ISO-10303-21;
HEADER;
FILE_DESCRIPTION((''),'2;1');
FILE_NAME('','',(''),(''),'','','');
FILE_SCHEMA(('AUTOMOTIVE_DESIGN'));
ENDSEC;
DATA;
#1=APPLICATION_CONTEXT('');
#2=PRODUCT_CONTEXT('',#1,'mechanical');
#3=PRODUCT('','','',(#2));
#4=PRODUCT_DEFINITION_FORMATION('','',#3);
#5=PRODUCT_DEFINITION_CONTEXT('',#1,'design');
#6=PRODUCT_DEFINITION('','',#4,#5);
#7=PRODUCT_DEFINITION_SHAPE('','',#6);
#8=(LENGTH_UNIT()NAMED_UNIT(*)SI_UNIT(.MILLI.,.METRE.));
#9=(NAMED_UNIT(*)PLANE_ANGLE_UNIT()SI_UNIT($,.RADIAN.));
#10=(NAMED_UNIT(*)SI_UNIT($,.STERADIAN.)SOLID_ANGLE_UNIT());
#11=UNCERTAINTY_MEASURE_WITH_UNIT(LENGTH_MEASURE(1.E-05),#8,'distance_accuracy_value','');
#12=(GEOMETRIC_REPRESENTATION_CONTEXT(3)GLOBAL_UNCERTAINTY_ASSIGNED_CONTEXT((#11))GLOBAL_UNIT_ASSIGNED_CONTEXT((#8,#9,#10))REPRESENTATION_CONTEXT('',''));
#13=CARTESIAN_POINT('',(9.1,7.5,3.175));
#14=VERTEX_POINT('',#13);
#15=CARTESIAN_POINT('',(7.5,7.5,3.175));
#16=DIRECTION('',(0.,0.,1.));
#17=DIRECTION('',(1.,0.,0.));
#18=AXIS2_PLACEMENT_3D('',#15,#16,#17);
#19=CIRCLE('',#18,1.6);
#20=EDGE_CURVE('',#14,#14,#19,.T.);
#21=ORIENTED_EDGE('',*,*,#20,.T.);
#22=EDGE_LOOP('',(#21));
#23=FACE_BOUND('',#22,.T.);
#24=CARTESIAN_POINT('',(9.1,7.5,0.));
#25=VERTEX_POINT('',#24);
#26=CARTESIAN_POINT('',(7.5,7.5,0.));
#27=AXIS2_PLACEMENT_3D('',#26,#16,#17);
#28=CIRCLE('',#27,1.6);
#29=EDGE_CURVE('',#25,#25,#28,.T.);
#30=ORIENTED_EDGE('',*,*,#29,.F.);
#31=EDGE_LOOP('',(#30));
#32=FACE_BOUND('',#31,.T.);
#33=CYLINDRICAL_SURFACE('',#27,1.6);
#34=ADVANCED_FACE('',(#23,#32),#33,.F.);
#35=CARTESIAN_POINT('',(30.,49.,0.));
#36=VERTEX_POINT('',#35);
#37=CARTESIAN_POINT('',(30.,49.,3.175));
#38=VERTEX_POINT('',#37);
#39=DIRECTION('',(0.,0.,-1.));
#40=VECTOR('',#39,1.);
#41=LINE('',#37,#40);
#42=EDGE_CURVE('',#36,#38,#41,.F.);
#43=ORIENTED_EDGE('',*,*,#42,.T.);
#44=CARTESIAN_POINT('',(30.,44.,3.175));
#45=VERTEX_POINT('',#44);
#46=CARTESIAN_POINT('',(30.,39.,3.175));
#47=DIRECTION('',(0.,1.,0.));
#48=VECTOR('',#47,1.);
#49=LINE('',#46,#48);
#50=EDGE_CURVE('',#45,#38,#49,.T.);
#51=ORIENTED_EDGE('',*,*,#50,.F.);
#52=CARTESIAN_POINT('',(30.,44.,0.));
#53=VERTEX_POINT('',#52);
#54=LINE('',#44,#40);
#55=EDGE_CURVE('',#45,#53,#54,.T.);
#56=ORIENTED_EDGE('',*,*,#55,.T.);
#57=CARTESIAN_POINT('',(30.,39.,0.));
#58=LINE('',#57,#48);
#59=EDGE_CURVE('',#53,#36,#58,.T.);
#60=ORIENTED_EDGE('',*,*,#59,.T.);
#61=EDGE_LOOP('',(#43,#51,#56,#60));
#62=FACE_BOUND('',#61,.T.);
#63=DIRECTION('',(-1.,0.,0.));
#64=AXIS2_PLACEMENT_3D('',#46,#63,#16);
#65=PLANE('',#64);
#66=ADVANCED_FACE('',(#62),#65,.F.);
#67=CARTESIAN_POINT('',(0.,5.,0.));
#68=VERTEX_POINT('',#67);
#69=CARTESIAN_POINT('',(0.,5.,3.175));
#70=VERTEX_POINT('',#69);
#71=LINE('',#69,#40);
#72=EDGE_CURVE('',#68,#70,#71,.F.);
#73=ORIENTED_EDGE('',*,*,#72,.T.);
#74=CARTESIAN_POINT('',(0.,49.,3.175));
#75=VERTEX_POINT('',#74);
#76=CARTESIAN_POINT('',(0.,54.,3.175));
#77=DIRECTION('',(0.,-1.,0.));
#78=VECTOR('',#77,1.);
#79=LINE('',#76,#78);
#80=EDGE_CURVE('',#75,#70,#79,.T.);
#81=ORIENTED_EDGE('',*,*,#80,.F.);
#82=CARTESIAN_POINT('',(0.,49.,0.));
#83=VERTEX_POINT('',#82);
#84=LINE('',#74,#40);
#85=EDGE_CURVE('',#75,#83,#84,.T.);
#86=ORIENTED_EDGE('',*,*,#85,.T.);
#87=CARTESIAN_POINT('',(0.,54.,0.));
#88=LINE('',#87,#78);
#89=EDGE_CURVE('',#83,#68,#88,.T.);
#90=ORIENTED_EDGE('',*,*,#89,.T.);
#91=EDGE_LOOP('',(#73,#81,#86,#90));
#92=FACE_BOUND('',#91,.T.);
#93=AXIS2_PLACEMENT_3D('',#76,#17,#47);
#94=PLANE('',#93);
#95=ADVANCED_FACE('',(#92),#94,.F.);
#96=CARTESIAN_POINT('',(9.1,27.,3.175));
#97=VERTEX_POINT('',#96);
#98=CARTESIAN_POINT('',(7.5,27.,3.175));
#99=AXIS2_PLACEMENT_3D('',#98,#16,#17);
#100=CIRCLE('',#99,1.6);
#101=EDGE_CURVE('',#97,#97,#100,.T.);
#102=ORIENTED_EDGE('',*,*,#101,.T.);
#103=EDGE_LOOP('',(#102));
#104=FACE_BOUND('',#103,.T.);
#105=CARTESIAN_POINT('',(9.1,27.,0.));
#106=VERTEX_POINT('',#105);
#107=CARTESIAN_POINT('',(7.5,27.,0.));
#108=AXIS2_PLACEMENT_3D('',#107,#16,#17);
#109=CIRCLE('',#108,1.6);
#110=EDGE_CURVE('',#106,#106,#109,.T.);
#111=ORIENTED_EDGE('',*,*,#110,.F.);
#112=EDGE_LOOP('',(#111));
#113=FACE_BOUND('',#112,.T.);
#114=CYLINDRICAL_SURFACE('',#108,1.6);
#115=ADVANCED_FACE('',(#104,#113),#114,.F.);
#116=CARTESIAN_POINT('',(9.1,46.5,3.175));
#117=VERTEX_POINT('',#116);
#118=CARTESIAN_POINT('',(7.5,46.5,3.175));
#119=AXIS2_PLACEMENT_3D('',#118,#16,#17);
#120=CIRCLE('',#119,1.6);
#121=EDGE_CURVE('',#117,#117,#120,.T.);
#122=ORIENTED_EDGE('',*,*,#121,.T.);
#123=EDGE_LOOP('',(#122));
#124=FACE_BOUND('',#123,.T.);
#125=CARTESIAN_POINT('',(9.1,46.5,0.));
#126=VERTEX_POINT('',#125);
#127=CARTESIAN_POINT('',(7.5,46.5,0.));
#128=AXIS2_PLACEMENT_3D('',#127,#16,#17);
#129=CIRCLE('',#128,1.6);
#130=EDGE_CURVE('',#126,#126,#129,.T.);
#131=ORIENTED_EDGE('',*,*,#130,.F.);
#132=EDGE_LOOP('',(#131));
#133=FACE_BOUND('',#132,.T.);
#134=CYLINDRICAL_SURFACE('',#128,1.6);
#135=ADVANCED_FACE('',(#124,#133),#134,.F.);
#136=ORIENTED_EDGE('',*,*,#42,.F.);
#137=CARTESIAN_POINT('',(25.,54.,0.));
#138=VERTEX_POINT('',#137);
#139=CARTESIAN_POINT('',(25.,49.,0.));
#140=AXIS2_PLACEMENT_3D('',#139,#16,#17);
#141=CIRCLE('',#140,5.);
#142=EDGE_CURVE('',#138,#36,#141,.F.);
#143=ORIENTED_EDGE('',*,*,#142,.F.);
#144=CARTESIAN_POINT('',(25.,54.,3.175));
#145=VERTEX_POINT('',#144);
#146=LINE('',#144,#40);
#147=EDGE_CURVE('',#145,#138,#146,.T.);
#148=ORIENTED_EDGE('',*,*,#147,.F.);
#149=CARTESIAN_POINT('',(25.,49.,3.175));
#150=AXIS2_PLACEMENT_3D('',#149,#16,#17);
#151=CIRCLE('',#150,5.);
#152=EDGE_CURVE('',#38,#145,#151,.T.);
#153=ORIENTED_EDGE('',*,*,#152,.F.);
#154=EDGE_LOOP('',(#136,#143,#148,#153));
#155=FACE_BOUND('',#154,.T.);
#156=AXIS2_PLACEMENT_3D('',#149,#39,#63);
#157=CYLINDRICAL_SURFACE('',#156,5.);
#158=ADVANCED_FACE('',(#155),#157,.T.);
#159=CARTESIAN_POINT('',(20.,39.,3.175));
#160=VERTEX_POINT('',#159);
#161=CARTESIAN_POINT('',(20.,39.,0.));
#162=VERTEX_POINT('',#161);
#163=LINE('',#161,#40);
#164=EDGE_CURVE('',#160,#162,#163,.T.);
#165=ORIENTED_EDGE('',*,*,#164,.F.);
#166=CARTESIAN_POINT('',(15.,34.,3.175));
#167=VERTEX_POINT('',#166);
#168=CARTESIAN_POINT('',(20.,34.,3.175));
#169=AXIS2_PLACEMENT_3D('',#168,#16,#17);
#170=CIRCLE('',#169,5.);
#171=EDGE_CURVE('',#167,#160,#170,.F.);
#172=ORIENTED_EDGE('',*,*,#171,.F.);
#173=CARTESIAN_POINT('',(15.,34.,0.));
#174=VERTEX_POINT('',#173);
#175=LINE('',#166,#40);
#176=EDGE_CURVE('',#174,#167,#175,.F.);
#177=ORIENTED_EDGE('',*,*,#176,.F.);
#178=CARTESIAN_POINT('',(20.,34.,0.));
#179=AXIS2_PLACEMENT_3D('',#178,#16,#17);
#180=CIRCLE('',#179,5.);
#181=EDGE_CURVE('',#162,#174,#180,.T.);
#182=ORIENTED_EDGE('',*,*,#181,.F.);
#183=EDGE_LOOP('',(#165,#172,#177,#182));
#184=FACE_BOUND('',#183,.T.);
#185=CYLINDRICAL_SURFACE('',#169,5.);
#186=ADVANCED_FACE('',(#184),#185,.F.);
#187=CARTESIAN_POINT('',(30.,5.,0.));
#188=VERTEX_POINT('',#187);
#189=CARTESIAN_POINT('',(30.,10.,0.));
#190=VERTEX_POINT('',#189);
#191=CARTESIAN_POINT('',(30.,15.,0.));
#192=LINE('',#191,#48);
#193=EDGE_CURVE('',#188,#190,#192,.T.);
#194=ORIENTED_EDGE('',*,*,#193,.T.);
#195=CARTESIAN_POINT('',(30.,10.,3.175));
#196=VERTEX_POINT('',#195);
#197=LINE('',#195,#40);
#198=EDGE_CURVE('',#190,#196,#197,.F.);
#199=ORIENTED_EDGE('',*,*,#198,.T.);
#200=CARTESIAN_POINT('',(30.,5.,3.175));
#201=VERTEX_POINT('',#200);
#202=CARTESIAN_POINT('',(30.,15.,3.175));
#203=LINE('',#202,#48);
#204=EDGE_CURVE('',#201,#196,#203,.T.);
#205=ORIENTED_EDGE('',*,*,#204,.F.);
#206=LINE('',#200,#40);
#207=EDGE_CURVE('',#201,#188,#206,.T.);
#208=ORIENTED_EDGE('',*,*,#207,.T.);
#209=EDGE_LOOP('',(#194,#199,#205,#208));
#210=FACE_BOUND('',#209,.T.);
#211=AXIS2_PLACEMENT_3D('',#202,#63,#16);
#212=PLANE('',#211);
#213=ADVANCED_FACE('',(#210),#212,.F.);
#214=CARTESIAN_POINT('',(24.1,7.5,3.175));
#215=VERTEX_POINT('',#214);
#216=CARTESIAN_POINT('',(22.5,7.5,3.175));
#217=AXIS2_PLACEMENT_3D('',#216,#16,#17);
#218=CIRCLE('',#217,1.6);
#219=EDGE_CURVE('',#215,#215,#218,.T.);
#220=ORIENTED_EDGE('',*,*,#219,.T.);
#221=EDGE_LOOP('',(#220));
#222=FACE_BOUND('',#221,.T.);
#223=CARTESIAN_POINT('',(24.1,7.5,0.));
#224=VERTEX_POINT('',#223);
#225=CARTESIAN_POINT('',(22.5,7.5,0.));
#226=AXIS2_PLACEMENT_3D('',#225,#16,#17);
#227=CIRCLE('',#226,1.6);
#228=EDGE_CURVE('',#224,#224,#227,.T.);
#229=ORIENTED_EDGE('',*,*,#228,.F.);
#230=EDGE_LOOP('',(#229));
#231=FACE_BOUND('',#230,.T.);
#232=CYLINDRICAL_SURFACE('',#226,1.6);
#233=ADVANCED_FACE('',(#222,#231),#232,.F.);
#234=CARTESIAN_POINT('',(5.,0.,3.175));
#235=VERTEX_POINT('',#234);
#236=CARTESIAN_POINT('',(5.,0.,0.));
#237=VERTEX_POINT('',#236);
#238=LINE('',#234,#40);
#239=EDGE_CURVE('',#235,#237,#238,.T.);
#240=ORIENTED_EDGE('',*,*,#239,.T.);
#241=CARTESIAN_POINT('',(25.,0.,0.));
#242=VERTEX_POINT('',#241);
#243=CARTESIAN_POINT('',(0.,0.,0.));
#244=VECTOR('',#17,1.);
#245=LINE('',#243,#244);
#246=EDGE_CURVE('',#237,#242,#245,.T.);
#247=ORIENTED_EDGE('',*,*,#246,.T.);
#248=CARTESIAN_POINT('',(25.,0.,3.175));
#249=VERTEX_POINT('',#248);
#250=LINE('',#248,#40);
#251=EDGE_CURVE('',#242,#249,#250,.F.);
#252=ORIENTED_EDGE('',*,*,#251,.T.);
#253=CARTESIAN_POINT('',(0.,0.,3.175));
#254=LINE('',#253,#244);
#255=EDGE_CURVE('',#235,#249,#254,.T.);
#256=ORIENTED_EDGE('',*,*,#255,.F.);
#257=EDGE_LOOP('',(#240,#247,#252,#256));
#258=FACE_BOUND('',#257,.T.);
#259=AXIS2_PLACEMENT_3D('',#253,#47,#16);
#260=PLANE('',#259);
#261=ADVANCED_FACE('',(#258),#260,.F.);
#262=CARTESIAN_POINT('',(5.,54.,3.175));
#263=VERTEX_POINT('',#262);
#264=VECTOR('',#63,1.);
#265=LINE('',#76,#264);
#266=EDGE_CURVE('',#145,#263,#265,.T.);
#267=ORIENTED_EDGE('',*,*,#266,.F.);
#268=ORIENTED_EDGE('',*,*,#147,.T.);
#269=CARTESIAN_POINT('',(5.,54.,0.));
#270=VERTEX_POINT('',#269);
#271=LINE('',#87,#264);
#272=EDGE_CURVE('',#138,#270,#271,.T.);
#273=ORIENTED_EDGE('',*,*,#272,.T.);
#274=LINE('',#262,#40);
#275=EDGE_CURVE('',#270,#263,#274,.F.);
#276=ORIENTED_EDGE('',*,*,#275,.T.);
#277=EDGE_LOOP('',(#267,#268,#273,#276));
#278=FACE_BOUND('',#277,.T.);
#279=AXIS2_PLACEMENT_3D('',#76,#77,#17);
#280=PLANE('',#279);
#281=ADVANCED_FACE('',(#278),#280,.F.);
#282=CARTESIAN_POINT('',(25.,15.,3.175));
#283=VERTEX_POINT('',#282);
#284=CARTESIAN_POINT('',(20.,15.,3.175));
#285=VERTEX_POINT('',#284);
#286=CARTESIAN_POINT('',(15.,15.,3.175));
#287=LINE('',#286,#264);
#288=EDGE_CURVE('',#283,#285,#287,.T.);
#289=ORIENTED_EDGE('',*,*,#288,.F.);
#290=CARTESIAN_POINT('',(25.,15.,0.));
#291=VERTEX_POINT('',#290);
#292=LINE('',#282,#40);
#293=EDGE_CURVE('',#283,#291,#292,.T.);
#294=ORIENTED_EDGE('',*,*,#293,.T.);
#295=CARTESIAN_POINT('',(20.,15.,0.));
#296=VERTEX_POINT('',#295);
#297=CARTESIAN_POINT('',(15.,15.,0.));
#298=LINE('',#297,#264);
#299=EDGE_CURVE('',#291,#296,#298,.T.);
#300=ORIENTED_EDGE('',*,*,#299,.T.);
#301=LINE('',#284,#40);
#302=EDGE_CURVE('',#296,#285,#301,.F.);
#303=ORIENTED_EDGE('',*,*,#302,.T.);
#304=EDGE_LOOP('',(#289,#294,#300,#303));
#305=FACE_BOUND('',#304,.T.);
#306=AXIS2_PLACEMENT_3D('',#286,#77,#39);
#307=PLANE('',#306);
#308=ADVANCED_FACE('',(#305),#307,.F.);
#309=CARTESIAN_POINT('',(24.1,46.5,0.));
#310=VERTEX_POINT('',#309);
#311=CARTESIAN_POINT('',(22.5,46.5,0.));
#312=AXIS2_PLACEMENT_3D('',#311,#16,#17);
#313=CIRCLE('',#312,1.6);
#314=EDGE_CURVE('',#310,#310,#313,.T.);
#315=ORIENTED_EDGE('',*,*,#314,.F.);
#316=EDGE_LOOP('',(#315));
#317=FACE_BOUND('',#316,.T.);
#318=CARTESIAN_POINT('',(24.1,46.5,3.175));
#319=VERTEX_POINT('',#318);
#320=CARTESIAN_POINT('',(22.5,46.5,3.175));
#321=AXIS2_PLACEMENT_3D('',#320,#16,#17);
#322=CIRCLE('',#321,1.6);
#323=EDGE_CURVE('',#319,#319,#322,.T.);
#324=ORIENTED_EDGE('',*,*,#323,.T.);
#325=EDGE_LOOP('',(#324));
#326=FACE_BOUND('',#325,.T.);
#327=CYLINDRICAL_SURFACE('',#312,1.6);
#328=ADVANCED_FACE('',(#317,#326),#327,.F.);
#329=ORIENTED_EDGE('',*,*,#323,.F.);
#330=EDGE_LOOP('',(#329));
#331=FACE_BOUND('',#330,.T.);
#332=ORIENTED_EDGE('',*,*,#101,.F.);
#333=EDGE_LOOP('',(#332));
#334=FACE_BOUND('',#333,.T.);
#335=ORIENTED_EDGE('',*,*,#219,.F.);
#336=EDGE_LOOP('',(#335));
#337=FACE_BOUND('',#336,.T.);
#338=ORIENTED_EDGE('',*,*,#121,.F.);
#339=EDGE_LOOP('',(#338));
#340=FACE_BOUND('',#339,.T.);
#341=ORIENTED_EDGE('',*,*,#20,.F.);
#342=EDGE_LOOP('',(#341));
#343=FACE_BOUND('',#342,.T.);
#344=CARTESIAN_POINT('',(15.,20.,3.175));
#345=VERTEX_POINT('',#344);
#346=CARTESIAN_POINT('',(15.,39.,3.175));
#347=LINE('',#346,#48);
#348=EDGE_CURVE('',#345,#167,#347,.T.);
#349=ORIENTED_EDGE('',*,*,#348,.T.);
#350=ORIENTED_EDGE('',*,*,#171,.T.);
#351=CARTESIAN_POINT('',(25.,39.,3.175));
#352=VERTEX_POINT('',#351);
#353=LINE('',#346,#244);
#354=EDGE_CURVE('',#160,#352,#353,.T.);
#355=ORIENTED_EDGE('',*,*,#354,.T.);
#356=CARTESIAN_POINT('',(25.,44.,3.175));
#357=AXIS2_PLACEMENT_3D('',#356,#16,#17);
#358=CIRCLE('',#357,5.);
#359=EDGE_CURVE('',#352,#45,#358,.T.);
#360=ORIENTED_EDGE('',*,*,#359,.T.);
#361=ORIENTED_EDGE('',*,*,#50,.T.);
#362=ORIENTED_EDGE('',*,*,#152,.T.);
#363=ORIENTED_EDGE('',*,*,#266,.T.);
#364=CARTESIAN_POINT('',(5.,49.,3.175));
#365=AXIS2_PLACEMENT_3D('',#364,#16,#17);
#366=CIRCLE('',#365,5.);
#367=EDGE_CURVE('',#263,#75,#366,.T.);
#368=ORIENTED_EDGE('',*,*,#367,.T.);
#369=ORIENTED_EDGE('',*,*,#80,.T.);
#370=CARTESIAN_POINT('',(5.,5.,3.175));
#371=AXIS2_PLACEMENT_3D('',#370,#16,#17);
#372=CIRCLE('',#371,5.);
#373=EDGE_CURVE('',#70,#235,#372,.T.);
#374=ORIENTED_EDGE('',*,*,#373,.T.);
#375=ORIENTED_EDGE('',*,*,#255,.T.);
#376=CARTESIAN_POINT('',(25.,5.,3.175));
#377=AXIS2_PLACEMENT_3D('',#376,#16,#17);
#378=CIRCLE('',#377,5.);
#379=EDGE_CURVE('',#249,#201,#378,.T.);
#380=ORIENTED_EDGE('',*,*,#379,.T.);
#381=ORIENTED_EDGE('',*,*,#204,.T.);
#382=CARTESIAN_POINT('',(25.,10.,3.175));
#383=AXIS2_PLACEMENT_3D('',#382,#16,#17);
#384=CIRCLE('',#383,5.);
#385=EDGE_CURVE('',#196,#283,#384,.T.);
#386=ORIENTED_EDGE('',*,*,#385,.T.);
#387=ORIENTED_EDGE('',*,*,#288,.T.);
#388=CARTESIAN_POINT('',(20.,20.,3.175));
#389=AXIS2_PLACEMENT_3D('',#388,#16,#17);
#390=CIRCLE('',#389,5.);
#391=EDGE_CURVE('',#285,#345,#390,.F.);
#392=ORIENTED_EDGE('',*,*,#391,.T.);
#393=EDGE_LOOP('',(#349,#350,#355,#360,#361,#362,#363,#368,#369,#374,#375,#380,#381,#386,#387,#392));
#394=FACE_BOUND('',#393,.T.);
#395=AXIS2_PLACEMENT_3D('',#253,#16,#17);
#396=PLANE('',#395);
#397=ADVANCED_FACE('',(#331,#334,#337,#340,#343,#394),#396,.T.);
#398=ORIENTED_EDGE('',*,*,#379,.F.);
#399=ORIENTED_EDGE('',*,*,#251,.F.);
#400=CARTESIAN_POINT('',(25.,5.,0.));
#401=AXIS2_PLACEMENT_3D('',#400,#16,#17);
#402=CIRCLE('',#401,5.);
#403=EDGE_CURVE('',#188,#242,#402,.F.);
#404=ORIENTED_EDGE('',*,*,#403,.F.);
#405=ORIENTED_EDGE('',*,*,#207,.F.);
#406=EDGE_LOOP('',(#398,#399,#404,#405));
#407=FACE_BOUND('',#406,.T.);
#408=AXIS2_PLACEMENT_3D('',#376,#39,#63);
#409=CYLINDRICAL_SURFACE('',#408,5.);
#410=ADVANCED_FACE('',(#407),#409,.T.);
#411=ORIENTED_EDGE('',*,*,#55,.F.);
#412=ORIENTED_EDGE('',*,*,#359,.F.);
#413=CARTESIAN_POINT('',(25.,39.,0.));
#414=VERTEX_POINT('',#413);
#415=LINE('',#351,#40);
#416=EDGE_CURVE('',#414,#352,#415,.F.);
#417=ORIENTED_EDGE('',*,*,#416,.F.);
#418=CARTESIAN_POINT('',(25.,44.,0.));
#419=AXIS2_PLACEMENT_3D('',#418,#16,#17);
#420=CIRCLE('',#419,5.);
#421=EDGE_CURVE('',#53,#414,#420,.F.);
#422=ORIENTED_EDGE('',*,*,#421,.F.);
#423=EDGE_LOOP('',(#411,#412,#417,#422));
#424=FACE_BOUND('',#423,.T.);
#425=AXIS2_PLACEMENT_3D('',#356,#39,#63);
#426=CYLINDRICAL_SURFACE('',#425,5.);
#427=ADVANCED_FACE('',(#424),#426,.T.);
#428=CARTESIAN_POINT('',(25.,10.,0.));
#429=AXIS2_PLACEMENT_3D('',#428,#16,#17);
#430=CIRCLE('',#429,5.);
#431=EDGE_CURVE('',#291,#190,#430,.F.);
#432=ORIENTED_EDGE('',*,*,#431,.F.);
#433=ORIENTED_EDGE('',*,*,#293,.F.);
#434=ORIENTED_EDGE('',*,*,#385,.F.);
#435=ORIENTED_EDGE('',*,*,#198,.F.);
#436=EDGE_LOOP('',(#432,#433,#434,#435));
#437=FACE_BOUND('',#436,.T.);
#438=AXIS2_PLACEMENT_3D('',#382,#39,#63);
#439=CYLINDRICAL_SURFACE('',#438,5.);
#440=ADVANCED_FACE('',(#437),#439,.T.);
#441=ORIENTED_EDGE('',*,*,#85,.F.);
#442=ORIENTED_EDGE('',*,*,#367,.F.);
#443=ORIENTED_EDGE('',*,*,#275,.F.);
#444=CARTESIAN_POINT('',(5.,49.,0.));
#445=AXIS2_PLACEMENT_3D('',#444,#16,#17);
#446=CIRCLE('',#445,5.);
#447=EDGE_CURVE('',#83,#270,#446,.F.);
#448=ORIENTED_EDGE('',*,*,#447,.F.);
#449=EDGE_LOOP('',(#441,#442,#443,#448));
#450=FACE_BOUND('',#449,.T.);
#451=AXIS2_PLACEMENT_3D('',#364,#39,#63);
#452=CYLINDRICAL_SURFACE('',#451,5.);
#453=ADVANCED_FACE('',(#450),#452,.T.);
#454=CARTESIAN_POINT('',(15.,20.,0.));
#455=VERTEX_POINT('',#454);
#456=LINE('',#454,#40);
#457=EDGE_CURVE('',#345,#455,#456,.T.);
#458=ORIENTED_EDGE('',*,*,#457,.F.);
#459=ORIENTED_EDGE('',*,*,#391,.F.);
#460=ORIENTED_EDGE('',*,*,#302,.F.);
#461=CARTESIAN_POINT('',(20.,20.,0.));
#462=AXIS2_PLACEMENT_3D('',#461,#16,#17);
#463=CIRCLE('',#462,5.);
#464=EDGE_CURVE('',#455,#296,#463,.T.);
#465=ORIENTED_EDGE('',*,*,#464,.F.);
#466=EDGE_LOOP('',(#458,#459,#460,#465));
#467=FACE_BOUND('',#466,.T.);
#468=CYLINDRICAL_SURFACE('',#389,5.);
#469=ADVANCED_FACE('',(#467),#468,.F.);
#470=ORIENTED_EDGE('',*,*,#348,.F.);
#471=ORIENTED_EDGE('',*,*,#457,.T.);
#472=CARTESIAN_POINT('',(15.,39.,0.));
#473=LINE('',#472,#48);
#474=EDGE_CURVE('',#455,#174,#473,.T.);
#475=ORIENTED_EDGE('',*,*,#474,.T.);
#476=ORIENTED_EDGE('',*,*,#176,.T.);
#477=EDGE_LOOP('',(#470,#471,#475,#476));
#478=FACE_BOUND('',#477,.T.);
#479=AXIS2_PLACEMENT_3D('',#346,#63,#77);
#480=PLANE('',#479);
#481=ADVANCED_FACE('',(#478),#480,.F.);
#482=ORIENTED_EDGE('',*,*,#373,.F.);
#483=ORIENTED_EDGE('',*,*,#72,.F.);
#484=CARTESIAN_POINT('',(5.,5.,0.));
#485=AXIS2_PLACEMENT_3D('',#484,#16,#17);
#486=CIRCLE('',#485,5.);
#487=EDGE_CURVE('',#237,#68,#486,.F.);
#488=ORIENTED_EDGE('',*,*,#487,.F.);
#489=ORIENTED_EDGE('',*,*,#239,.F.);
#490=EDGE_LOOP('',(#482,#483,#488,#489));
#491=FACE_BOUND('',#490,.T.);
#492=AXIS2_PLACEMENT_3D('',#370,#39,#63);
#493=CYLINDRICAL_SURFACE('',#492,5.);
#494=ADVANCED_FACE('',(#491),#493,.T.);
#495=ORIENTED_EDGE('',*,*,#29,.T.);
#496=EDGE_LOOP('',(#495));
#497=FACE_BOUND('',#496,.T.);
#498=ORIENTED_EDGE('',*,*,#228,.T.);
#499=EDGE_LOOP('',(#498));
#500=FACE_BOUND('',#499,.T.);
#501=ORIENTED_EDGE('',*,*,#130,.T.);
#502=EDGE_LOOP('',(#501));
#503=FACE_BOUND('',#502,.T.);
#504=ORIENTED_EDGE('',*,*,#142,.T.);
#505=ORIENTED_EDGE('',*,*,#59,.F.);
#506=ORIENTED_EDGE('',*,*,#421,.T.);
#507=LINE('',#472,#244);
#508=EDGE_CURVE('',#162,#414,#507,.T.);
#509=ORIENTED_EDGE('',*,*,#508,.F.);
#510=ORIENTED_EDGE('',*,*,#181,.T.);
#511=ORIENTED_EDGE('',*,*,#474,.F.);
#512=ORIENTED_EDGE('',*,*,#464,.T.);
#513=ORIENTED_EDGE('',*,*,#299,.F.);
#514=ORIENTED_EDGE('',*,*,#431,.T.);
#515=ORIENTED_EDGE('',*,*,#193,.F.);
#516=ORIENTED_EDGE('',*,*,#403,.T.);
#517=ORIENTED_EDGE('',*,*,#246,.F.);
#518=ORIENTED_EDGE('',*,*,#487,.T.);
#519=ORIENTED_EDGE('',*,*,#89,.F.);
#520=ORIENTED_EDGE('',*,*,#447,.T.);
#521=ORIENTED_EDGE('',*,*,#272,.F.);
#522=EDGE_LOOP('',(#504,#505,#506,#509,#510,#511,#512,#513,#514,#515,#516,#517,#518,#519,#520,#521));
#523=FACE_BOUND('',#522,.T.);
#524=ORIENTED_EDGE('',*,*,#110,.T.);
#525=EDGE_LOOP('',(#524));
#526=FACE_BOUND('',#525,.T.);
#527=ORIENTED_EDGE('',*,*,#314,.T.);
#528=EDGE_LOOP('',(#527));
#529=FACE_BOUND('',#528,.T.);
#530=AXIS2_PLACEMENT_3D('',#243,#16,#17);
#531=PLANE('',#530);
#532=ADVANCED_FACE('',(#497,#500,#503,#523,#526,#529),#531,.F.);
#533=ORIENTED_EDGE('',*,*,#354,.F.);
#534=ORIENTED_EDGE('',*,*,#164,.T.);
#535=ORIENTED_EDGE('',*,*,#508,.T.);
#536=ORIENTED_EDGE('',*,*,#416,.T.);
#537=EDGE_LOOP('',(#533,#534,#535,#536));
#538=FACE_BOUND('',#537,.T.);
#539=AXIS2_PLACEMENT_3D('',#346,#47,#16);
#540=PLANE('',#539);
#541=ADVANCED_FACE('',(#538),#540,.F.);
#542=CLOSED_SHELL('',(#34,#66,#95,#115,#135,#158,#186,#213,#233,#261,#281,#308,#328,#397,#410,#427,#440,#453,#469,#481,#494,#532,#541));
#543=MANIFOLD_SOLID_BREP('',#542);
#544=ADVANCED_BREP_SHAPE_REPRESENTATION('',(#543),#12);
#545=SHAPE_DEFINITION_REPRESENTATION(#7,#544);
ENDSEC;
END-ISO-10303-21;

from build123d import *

# Parameters (mm, degrees)
BOSS_EXTRUDE1_DEPTH = 3.175
FILLET1_R           = 5
SKETCH2_R           = 1.6
CUT_EXTRUDE1_DEPTH  = 4.175


with BuildPart() as part:
    # Sketch1 → Boss-Extrude1 (new body)
    with BuildSketch(Plane.XY):
        Polygon((0, 54), (0, 0), (30, 0), (30, 15), (15, 15), (15, 39), (30, 39), (30, 54), align=None)
    extrude(amount=BOSS_EXTRUDE1_DEPTH)

    # Fillet1
    fillet1_edges = [part.edges().sort_by_distance(p)[0] for p in [
        (15, 15, 1.5875),
        (30, 15, 1.5875),
        (30, 0, 1.5875),
        (0, 0, 1.5875),
        (0, 54, 1.5875),
        (30, 54, 1.5875),
        (30, 39, 1.5875),
        (15, 39, 1.5875),
    ]]
    fillet(fillet1_edges, radius=FILLET1_R)

    # Sketch2 → Cut-Extrude1 (cut, through all)
    with BuildSketch(Plane.XY.offset(3.175)):
        with Locations((7.5, 7.5)):
            Circle(SKETCH2_R)
        with Locations((7.5, 46.5)):
            Circle(SKETCH2_R)
        with Locations((22.5, 7.5)):
            Circle(SKETCH2_R)
        with Locations((7.5, 27)):
            Circle(SKETCH2_R)
        with Locations((22.5, 46.5)):
            Circle(SKETCH2_R)
    extrude(amount=-CUT_EXTRUDE1_DEPTH, mode=Mode.SUBTRACT)


solid = part.part
